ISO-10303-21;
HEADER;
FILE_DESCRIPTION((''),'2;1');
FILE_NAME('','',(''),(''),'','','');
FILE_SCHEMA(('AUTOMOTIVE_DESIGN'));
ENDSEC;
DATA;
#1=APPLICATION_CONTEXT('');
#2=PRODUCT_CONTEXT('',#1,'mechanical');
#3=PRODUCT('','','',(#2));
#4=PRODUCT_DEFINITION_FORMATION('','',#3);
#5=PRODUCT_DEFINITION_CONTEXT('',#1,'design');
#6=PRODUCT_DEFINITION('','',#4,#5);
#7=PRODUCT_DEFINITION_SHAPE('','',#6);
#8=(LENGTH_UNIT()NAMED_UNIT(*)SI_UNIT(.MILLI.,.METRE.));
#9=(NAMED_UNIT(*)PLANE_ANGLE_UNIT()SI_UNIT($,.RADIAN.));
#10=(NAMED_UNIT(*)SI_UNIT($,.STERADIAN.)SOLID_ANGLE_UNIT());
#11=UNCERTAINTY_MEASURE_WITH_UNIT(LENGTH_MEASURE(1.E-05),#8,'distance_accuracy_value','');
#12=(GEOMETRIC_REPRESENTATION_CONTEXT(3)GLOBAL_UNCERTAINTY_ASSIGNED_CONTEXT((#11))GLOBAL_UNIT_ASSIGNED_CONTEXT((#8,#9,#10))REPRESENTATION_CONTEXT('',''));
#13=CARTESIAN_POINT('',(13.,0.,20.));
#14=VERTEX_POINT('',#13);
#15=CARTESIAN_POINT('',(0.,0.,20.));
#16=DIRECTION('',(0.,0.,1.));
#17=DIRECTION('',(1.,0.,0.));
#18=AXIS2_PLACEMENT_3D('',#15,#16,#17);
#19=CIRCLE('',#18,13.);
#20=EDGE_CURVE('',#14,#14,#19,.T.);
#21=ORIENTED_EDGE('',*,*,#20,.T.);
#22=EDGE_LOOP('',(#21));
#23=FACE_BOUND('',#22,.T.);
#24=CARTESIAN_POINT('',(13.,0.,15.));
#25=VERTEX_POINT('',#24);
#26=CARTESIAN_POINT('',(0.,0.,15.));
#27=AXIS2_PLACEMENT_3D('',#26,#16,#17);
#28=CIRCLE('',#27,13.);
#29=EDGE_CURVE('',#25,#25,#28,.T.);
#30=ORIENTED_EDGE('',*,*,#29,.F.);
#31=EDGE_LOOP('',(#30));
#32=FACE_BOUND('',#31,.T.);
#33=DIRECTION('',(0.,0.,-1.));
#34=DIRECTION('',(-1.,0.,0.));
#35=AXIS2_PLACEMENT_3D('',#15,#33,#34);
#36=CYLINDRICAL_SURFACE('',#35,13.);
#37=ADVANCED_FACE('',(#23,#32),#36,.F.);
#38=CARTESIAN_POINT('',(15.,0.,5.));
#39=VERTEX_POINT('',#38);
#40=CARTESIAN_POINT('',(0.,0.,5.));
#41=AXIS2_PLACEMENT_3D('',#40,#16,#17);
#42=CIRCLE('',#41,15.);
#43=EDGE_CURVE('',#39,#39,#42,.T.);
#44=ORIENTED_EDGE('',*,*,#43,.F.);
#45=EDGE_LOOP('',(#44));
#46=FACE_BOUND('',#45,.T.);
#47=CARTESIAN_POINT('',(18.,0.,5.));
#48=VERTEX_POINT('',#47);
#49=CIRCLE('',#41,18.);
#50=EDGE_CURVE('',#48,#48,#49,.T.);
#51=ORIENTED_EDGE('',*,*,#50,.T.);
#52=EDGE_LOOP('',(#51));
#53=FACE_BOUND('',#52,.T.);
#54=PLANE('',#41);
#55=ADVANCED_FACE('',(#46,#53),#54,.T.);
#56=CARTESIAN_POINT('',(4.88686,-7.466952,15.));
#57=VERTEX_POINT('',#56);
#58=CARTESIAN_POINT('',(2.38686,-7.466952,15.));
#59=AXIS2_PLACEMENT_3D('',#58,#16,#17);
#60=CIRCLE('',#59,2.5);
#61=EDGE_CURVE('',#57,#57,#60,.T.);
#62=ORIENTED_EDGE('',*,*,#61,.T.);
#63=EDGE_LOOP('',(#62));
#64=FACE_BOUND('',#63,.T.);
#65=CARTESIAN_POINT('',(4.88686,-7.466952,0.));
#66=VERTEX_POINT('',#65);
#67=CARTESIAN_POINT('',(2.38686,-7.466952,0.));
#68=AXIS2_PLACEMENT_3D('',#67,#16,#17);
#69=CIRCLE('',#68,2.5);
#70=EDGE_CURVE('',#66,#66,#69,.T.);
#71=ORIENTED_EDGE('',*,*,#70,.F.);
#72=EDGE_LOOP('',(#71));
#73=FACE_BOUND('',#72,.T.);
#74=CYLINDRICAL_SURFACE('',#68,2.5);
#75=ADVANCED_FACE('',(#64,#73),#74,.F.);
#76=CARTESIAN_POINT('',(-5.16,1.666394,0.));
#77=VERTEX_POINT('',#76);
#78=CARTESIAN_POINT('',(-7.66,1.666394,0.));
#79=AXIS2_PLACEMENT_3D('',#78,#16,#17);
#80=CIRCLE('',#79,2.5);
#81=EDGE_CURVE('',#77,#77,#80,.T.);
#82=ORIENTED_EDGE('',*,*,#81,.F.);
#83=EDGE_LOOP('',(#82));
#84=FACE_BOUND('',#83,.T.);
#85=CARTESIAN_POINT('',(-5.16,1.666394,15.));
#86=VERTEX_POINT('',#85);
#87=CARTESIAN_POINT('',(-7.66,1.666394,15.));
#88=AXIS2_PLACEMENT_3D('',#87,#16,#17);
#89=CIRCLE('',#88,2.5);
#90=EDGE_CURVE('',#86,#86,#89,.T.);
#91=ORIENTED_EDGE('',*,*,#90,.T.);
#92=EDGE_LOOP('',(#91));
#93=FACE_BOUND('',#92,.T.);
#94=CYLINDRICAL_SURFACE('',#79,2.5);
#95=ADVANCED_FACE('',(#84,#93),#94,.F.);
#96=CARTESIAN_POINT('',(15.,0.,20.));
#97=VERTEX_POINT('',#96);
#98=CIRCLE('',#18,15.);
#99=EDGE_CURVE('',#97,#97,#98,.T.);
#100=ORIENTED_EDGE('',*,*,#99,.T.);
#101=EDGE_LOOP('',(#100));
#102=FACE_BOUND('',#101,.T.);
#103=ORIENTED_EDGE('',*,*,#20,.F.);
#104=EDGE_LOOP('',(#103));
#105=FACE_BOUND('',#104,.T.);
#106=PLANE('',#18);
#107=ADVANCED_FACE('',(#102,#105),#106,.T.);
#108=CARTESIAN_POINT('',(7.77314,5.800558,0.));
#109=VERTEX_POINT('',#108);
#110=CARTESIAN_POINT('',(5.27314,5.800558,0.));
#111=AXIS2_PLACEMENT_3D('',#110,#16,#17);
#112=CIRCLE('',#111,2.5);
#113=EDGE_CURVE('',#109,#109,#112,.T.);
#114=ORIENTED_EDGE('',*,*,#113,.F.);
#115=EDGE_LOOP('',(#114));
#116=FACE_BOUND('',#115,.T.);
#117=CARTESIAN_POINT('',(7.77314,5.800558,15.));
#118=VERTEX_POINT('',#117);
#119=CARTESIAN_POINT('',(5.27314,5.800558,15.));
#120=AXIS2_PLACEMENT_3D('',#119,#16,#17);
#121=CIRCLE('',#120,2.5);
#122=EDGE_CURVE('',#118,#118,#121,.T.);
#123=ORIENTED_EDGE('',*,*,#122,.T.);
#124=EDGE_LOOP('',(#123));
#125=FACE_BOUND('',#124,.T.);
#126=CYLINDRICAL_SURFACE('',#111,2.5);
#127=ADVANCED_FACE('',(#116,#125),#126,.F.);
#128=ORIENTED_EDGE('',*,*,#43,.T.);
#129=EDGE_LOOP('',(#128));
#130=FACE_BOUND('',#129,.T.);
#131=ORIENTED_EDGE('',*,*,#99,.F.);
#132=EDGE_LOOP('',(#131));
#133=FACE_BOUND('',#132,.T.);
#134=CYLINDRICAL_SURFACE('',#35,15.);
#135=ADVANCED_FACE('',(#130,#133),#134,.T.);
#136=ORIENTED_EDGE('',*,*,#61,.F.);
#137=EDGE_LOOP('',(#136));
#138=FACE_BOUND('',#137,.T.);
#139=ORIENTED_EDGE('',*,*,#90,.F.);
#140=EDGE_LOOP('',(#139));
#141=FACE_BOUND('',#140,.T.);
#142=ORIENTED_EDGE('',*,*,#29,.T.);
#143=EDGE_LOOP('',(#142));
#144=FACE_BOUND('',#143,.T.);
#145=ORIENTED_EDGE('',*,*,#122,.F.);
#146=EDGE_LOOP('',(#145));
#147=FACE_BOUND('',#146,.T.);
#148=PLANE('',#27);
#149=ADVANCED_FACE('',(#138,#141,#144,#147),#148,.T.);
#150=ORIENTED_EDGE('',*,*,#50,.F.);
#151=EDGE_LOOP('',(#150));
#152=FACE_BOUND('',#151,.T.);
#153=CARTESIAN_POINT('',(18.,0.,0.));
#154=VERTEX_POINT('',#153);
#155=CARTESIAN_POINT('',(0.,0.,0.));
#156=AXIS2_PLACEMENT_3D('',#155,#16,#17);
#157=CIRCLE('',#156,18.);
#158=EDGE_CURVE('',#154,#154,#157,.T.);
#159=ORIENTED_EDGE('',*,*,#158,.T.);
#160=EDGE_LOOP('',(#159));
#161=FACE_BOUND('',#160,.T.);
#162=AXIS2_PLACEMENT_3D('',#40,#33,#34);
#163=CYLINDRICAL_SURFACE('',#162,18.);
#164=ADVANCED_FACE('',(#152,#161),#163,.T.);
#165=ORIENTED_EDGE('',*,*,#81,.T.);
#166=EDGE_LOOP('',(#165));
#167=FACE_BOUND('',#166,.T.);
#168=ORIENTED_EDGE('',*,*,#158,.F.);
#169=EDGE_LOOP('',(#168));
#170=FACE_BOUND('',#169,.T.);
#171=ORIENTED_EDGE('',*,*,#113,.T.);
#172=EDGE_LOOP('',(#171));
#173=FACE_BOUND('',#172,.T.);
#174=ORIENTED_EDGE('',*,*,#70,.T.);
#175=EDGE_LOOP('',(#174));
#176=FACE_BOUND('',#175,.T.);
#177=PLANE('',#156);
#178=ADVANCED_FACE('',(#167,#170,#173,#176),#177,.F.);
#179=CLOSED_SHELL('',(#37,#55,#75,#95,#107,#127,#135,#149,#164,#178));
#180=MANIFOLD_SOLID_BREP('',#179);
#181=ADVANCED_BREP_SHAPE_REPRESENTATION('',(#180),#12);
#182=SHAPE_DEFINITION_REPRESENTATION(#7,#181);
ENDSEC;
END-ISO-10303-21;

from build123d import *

# Parameters (mm, degrees)
SKETCH1_R           = 18
SKETCH1_R_2         = 15
BOSS_EXTRUDE1_DEPTH = 5
SKETCH1_3_R         = 15
SKETCH1_3_R_2       = 13
BOSS_EXTRUDE2_DEPTH = 20
SKETCH1_4_R         = 13
BOSS_EXTRUDE3_DEPTH = 15
SKETCH2_R           = 2.5
CUT_EXTRUDE1_DEPTH  = 30.546573405


with BuildPart() as part:
    # Sketch1 → Boss-Extrude1 (new body)
    with BuildSketch(Plane.XY):
        Circle(SKETCH1_R)
        Circle(SKETCH1_R_2, mode=Mode.SUBTRACT)
    extrude(amount=BOSS_EXTRUDE1_DEPTH)

    # Sketch1<3> → Boss-Extrude2 (add)
    with BuildSketch(Plane.XY):
        Circle(SKETCH1_3_R)
        Circle(SKETCH1_3_R_2, mode=Mode.SUBTRACT)
    extrude(amount=BOSS_EXTRUDE2_DEPTH)

    # Sketch1<4> → Boss-Extrude3 (add)
    with BuildSketch(Plane.XY):
        Circle(SKETCH1_4_R)
    extrude(amount=BOSS_EXTRUDE3_DEPTH)

    # Sketch2 → Cut-Extrude1 (cut, through all)
    with BuildSketch(Plane.XY.offset(15)):
        with Locations((-7.66, 1.666394077)):
            Circle(SKETCH2_R)
        with Locations((5.273139603, 5.800557555)):
            Circle(SKETCH2_R)
        with Locations((2.386860397, -7.466951631)):
            Circle(SKETCH2_R)
    extrude(amount=-CUT_EXTRUDE1_DEPTH, mode=Mode.SUBTRACT)


solid = part.part
